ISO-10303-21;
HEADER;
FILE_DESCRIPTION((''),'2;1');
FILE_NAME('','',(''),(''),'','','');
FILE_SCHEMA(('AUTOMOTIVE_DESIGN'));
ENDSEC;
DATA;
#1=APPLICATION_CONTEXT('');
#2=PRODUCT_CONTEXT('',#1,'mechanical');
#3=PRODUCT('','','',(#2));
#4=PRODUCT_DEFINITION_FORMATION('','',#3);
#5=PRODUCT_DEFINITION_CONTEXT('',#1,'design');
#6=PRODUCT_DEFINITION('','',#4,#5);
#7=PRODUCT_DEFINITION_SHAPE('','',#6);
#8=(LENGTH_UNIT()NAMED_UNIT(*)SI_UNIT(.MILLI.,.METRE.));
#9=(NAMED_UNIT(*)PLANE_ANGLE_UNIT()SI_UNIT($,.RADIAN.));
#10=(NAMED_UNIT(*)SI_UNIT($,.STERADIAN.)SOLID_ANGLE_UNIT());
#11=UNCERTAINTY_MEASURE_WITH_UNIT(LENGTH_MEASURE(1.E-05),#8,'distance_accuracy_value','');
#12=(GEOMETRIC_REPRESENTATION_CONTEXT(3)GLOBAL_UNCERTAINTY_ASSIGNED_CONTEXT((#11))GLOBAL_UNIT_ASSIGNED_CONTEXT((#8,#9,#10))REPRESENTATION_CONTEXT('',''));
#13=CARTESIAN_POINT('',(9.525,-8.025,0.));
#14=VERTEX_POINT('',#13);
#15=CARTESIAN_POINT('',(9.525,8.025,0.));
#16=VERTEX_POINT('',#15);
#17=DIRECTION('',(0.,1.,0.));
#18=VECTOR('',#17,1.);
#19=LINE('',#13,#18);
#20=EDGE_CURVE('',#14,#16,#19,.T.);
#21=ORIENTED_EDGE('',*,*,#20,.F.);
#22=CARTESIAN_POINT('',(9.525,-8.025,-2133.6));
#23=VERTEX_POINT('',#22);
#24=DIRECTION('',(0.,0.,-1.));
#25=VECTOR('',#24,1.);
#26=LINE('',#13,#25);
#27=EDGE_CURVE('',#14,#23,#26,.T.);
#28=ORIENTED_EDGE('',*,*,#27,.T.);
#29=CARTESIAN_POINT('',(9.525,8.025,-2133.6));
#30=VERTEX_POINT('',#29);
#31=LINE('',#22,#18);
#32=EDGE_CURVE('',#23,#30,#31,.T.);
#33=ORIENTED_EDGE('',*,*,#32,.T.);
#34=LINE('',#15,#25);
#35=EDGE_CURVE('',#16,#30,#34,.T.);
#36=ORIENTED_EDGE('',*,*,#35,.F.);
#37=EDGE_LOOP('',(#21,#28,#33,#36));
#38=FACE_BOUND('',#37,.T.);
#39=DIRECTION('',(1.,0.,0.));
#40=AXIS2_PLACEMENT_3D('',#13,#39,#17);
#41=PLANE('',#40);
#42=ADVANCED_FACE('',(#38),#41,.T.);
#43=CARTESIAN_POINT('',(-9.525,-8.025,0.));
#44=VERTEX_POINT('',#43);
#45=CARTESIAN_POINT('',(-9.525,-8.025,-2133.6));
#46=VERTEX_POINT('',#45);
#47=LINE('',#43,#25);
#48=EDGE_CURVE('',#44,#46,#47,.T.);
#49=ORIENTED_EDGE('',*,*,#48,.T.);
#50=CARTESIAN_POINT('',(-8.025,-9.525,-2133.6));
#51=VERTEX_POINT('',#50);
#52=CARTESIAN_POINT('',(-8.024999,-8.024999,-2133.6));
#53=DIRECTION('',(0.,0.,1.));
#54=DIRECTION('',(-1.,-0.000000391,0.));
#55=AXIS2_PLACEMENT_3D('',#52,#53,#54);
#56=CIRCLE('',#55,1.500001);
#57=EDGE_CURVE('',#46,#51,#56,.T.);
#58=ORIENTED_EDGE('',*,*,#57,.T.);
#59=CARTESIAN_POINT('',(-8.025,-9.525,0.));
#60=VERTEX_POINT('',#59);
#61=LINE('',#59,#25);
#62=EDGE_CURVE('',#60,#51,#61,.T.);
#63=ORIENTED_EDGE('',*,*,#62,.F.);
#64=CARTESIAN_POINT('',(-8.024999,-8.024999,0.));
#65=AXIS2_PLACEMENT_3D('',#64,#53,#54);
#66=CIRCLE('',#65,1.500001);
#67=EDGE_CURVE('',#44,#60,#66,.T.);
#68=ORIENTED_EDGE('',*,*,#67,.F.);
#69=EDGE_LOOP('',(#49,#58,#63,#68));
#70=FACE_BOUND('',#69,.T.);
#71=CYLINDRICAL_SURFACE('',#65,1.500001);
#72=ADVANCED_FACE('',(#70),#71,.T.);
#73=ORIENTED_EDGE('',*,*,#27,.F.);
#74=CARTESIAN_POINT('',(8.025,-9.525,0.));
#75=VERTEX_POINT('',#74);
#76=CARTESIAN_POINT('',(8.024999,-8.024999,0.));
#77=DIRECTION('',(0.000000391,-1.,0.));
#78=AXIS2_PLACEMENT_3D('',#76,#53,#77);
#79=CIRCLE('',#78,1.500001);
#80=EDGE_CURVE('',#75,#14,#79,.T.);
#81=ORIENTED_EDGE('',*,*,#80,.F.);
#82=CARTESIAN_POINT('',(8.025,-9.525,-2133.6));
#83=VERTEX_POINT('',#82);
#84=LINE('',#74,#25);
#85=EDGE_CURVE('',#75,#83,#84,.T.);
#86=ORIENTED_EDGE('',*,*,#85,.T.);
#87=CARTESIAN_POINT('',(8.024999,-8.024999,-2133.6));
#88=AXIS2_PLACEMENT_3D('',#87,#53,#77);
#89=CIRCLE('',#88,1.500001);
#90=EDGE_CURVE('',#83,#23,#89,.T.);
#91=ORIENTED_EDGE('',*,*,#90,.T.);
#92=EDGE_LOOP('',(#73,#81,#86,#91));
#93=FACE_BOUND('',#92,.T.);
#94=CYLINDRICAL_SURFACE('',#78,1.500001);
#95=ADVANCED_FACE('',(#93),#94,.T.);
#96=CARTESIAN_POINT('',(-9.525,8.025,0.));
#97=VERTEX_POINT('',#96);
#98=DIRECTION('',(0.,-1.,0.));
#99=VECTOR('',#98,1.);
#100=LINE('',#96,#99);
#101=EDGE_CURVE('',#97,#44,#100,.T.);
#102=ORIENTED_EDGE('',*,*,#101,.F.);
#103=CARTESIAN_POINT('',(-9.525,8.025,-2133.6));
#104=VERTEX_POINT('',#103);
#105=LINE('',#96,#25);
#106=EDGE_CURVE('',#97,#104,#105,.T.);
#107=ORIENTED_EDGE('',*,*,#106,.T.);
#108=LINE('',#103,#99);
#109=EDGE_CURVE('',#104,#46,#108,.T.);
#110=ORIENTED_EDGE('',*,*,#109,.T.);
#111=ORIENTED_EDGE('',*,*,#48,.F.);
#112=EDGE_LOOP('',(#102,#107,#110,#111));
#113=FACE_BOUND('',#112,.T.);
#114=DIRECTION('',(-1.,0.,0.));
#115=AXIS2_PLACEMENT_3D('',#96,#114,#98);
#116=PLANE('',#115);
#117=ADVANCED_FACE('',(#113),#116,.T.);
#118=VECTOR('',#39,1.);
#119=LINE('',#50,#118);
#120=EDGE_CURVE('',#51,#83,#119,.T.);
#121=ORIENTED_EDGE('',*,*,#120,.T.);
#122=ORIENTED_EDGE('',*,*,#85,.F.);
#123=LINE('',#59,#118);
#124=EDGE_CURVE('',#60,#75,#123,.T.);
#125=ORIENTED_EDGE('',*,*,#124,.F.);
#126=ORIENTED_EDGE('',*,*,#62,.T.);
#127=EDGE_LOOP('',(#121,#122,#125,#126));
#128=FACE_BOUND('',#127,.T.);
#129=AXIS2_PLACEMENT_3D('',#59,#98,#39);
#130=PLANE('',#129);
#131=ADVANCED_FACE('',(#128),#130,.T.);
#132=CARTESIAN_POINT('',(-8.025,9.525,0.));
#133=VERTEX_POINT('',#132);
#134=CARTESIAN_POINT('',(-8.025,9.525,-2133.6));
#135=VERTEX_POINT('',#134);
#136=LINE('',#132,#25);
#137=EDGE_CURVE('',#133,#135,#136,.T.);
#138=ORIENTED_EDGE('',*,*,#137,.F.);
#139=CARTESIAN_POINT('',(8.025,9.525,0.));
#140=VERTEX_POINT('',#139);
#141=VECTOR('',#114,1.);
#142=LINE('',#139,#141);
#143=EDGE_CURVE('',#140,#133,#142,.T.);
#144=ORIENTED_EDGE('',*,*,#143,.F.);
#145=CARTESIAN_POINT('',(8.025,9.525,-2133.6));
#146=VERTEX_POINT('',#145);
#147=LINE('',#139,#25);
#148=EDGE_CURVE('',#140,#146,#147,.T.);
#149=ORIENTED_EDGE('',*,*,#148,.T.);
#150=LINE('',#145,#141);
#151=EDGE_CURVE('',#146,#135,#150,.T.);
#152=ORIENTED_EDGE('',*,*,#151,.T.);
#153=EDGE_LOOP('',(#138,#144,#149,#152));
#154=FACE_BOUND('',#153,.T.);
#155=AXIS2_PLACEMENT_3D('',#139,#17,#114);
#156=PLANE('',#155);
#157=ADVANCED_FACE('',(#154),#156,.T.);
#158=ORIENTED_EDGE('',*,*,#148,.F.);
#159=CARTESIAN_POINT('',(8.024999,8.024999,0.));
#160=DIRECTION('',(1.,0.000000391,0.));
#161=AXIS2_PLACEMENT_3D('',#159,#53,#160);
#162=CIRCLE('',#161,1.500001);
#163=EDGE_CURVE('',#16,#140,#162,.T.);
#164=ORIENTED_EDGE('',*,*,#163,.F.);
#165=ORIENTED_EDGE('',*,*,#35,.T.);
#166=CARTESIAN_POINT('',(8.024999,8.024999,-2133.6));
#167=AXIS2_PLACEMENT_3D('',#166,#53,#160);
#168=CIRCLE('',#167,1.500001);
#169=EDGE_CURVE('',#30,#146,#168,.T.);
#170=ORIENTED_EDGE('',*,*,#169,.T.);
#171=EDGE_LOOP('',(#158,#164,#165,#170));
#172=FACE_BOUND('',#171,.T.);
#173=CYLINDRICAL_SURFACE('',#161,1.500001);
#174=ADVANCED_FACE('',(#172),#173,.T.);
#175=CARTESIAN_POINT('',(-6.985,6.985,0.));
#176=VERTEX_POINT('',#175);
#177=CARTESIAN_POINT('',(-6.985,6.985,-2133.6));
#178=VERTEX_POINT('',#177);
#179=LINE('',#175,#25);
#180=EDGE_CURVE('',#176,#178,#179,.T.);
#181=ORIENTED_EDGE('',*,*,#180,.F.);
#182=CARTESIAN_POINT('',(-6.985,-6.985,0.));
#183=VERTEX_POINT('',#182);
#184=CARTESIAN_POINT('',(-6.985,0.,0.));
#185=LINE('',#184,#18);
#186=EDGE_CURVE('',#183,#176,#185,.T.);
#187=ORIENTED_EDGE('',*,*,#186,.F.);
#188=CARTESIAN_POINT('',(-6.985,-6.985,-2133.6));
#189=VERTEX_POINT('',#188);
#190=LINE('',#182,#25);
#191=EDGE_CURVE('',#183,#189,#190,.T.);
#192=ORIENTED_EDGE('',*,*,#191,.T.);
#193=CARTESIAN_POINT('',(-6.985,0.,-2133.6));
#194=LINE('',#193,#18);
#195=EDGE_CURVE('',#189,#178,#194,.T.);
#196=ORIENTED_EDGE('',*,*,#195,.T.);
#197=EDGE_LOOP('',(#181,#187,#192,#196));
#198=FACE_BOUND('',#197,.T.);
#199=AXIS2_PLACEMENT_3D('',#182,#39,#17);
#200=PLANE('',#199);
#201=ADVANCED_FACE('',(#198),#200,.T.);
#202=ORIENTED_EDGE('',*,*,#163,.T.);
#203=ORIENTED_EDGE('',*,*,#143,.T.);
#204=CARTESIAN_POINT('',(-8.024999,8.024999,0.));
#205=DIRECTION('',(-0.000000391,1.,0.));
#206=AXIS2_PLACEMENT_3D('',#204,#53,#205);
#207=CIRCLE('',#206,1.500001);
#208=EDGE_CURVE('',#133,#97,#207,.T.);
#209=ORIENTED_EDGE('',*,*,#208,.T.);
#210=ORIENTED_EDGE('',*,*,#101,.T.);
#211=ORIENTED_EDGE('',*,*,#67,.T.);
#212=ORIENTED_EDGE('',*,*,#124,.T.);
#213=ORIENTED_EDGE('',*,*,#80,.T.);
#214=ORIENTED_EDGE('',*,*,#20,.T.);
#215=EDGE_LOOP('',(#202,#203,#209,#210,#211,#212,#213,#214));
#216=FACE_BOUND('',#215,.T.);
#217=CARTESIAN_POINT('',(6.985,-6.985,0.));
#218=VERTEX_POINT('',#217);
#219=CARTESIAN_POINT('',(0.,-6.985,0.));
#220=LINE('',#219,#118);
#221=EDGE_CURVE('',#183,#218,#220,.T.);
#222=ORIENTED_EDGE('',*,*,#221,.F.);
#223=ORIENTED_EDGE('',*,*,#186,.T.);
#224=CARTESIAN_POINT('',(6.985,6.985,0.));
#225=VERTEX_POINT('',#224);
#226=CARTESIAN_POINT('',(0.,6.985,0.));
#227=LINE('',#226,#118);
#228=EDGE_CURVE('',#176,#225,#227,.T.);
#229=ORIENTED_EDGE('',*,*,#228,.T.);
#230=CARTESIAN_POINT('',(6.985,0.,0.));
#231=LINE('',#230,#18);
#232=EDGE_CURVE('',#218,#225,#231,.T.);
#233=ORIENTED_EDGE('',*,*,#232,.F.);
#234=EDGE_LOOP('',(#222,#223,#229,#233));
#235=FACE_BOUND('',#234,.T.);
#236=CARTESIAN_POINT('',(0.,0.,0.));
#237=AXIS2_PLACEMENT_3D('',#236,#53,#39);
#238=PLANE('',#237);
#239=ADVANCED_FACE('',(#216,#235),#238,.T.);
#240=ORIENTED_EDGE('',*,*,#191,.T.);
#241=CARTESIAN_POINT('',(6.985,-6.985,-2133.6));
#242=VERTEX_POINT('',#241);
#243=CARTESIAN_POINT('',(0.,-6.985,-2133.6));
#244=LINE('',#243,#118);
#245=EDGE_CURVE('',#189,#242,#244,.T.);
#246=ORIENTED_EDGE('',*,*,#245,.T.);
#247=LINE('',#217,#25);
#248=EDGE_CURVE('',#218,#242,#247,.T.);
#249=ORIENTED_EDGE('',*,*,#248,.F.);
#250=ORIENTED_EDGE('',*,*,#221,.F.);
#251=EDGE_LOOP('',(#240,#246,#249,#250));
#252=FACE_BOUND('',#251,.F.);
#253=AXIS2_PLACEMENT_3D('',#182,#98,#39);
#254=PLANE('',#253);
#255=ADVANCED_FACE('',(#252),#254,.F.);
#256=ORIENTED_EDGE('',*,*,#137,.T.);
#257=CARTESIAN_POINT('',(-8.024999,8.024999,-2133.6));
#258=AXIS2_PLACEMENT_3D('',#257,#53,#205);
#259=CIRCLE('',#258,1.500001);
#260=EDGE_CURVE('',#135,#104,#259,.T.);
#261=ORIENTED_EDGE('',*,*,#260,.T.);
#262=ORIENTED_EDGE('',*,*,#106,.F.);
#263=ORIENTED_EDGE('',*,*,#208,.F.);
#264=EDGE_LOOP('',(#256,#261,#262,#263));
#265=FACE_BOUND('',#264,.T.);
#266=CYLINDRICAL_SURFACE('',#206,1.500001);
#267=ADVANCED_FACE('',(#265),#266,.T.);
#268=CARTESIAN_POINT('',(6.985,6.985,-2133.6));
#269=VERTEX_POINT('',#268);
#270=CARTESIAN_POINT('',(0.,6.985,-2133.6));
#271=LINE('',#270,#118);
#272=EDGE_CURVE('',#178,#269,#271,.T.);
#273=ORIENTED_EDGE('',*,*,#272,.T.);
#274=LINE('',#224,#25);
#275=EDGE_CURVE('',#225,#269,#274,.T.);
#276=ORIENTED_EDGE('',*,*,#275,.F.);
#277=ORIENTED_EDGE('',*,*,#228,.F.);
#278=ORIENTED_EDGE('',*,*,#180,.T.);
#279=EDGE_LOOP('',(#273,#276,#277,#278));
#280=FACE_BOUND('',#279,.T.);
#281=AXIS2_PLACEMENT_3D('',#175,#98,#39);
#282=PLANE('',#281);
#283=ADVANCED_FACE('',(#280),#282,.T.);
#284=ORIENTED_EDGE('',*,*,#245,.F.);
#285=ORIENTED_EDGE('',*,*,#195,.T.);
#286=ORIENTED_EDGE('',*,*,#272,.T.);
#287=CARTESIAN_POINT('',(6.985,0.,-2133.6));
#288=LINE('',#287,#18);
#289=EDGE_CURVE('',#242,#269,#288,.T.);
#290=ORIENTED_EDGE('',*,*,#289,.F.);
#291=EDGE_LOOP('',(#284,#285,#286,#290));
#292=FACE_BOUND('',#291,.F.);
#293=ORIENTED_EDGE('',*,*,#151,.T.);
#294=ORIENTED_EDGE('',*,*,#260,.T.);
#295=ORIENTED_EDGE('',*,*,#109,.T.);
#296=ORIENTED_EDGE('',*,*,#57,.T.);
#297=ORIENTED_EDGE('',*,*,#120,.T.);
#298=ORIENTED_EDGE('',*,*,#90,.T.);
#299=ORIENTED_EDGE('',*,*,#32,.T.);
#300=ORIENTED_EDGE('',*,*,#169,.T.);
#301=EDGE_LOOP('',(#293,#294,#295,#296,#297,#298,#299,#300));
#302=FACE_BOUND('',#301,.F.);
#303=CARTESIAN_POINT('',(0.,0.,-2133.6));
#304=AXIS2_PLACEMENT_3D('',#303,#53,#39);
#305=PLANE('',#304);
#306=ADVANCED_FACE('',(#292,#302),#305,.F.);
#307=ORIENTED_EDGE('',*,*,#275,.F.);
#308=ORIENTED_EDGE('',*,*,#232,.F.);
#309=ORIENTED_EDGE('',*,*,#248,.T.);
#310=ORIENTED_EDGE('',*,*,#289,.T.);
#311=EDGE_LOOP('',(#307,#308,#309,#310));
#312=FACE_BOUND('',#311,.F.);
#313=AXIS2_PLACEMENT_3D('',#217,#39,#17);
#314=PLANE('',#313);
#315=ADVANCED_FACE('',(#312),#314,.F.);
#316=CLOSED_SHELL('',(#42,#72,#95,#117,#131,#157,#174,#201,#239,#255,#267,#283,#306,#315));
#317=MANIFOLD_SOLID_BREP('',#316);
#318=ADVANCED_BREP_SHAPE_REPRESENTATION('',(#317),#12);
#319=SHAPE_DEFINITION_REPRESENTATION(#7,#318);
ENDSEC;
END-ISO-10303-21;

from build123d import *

# Parameters (mm, degrees)
F0_W     = 13.97
F0_H     = 13.97
F1_DEPTH = 2133.6


with BuildPart() as f1:
    # F0 (on Top) → F1 (new body)
    with BuildSketch(Plane.XY):
        with BuildLine():
            Line((-9.525, 8.025), (-9.525, -8.025))
            ThreePointArc((-9.525, -8.025), (-9.08566, -9.08566), (-8.025, -9.525))
            Line((-8.025, -9.525), (8.025, -9.525))
            ThreePointArc((8.025, -9.525), (9.08566, -9.08566), (9.525, -8.025))
            Line((9.525, -8.025), (9.525, 8.025))
            ThreePointArc((9.525, 8.025), (9.08566, 9.08566), (8.025, 9.525))
            Line((8.025, 9.525), (-8.025, 9.525))
            ThreePointArc((-8.025, 9.525), (-9.08566, 9.08566), (-9.525, 8.025))
        make_face()
        Rectangle(F0_W, F0_H, mode=Mode.SUBTRACT)
    extrude(amount=-F1_DEPTH)


solid = f1.part
